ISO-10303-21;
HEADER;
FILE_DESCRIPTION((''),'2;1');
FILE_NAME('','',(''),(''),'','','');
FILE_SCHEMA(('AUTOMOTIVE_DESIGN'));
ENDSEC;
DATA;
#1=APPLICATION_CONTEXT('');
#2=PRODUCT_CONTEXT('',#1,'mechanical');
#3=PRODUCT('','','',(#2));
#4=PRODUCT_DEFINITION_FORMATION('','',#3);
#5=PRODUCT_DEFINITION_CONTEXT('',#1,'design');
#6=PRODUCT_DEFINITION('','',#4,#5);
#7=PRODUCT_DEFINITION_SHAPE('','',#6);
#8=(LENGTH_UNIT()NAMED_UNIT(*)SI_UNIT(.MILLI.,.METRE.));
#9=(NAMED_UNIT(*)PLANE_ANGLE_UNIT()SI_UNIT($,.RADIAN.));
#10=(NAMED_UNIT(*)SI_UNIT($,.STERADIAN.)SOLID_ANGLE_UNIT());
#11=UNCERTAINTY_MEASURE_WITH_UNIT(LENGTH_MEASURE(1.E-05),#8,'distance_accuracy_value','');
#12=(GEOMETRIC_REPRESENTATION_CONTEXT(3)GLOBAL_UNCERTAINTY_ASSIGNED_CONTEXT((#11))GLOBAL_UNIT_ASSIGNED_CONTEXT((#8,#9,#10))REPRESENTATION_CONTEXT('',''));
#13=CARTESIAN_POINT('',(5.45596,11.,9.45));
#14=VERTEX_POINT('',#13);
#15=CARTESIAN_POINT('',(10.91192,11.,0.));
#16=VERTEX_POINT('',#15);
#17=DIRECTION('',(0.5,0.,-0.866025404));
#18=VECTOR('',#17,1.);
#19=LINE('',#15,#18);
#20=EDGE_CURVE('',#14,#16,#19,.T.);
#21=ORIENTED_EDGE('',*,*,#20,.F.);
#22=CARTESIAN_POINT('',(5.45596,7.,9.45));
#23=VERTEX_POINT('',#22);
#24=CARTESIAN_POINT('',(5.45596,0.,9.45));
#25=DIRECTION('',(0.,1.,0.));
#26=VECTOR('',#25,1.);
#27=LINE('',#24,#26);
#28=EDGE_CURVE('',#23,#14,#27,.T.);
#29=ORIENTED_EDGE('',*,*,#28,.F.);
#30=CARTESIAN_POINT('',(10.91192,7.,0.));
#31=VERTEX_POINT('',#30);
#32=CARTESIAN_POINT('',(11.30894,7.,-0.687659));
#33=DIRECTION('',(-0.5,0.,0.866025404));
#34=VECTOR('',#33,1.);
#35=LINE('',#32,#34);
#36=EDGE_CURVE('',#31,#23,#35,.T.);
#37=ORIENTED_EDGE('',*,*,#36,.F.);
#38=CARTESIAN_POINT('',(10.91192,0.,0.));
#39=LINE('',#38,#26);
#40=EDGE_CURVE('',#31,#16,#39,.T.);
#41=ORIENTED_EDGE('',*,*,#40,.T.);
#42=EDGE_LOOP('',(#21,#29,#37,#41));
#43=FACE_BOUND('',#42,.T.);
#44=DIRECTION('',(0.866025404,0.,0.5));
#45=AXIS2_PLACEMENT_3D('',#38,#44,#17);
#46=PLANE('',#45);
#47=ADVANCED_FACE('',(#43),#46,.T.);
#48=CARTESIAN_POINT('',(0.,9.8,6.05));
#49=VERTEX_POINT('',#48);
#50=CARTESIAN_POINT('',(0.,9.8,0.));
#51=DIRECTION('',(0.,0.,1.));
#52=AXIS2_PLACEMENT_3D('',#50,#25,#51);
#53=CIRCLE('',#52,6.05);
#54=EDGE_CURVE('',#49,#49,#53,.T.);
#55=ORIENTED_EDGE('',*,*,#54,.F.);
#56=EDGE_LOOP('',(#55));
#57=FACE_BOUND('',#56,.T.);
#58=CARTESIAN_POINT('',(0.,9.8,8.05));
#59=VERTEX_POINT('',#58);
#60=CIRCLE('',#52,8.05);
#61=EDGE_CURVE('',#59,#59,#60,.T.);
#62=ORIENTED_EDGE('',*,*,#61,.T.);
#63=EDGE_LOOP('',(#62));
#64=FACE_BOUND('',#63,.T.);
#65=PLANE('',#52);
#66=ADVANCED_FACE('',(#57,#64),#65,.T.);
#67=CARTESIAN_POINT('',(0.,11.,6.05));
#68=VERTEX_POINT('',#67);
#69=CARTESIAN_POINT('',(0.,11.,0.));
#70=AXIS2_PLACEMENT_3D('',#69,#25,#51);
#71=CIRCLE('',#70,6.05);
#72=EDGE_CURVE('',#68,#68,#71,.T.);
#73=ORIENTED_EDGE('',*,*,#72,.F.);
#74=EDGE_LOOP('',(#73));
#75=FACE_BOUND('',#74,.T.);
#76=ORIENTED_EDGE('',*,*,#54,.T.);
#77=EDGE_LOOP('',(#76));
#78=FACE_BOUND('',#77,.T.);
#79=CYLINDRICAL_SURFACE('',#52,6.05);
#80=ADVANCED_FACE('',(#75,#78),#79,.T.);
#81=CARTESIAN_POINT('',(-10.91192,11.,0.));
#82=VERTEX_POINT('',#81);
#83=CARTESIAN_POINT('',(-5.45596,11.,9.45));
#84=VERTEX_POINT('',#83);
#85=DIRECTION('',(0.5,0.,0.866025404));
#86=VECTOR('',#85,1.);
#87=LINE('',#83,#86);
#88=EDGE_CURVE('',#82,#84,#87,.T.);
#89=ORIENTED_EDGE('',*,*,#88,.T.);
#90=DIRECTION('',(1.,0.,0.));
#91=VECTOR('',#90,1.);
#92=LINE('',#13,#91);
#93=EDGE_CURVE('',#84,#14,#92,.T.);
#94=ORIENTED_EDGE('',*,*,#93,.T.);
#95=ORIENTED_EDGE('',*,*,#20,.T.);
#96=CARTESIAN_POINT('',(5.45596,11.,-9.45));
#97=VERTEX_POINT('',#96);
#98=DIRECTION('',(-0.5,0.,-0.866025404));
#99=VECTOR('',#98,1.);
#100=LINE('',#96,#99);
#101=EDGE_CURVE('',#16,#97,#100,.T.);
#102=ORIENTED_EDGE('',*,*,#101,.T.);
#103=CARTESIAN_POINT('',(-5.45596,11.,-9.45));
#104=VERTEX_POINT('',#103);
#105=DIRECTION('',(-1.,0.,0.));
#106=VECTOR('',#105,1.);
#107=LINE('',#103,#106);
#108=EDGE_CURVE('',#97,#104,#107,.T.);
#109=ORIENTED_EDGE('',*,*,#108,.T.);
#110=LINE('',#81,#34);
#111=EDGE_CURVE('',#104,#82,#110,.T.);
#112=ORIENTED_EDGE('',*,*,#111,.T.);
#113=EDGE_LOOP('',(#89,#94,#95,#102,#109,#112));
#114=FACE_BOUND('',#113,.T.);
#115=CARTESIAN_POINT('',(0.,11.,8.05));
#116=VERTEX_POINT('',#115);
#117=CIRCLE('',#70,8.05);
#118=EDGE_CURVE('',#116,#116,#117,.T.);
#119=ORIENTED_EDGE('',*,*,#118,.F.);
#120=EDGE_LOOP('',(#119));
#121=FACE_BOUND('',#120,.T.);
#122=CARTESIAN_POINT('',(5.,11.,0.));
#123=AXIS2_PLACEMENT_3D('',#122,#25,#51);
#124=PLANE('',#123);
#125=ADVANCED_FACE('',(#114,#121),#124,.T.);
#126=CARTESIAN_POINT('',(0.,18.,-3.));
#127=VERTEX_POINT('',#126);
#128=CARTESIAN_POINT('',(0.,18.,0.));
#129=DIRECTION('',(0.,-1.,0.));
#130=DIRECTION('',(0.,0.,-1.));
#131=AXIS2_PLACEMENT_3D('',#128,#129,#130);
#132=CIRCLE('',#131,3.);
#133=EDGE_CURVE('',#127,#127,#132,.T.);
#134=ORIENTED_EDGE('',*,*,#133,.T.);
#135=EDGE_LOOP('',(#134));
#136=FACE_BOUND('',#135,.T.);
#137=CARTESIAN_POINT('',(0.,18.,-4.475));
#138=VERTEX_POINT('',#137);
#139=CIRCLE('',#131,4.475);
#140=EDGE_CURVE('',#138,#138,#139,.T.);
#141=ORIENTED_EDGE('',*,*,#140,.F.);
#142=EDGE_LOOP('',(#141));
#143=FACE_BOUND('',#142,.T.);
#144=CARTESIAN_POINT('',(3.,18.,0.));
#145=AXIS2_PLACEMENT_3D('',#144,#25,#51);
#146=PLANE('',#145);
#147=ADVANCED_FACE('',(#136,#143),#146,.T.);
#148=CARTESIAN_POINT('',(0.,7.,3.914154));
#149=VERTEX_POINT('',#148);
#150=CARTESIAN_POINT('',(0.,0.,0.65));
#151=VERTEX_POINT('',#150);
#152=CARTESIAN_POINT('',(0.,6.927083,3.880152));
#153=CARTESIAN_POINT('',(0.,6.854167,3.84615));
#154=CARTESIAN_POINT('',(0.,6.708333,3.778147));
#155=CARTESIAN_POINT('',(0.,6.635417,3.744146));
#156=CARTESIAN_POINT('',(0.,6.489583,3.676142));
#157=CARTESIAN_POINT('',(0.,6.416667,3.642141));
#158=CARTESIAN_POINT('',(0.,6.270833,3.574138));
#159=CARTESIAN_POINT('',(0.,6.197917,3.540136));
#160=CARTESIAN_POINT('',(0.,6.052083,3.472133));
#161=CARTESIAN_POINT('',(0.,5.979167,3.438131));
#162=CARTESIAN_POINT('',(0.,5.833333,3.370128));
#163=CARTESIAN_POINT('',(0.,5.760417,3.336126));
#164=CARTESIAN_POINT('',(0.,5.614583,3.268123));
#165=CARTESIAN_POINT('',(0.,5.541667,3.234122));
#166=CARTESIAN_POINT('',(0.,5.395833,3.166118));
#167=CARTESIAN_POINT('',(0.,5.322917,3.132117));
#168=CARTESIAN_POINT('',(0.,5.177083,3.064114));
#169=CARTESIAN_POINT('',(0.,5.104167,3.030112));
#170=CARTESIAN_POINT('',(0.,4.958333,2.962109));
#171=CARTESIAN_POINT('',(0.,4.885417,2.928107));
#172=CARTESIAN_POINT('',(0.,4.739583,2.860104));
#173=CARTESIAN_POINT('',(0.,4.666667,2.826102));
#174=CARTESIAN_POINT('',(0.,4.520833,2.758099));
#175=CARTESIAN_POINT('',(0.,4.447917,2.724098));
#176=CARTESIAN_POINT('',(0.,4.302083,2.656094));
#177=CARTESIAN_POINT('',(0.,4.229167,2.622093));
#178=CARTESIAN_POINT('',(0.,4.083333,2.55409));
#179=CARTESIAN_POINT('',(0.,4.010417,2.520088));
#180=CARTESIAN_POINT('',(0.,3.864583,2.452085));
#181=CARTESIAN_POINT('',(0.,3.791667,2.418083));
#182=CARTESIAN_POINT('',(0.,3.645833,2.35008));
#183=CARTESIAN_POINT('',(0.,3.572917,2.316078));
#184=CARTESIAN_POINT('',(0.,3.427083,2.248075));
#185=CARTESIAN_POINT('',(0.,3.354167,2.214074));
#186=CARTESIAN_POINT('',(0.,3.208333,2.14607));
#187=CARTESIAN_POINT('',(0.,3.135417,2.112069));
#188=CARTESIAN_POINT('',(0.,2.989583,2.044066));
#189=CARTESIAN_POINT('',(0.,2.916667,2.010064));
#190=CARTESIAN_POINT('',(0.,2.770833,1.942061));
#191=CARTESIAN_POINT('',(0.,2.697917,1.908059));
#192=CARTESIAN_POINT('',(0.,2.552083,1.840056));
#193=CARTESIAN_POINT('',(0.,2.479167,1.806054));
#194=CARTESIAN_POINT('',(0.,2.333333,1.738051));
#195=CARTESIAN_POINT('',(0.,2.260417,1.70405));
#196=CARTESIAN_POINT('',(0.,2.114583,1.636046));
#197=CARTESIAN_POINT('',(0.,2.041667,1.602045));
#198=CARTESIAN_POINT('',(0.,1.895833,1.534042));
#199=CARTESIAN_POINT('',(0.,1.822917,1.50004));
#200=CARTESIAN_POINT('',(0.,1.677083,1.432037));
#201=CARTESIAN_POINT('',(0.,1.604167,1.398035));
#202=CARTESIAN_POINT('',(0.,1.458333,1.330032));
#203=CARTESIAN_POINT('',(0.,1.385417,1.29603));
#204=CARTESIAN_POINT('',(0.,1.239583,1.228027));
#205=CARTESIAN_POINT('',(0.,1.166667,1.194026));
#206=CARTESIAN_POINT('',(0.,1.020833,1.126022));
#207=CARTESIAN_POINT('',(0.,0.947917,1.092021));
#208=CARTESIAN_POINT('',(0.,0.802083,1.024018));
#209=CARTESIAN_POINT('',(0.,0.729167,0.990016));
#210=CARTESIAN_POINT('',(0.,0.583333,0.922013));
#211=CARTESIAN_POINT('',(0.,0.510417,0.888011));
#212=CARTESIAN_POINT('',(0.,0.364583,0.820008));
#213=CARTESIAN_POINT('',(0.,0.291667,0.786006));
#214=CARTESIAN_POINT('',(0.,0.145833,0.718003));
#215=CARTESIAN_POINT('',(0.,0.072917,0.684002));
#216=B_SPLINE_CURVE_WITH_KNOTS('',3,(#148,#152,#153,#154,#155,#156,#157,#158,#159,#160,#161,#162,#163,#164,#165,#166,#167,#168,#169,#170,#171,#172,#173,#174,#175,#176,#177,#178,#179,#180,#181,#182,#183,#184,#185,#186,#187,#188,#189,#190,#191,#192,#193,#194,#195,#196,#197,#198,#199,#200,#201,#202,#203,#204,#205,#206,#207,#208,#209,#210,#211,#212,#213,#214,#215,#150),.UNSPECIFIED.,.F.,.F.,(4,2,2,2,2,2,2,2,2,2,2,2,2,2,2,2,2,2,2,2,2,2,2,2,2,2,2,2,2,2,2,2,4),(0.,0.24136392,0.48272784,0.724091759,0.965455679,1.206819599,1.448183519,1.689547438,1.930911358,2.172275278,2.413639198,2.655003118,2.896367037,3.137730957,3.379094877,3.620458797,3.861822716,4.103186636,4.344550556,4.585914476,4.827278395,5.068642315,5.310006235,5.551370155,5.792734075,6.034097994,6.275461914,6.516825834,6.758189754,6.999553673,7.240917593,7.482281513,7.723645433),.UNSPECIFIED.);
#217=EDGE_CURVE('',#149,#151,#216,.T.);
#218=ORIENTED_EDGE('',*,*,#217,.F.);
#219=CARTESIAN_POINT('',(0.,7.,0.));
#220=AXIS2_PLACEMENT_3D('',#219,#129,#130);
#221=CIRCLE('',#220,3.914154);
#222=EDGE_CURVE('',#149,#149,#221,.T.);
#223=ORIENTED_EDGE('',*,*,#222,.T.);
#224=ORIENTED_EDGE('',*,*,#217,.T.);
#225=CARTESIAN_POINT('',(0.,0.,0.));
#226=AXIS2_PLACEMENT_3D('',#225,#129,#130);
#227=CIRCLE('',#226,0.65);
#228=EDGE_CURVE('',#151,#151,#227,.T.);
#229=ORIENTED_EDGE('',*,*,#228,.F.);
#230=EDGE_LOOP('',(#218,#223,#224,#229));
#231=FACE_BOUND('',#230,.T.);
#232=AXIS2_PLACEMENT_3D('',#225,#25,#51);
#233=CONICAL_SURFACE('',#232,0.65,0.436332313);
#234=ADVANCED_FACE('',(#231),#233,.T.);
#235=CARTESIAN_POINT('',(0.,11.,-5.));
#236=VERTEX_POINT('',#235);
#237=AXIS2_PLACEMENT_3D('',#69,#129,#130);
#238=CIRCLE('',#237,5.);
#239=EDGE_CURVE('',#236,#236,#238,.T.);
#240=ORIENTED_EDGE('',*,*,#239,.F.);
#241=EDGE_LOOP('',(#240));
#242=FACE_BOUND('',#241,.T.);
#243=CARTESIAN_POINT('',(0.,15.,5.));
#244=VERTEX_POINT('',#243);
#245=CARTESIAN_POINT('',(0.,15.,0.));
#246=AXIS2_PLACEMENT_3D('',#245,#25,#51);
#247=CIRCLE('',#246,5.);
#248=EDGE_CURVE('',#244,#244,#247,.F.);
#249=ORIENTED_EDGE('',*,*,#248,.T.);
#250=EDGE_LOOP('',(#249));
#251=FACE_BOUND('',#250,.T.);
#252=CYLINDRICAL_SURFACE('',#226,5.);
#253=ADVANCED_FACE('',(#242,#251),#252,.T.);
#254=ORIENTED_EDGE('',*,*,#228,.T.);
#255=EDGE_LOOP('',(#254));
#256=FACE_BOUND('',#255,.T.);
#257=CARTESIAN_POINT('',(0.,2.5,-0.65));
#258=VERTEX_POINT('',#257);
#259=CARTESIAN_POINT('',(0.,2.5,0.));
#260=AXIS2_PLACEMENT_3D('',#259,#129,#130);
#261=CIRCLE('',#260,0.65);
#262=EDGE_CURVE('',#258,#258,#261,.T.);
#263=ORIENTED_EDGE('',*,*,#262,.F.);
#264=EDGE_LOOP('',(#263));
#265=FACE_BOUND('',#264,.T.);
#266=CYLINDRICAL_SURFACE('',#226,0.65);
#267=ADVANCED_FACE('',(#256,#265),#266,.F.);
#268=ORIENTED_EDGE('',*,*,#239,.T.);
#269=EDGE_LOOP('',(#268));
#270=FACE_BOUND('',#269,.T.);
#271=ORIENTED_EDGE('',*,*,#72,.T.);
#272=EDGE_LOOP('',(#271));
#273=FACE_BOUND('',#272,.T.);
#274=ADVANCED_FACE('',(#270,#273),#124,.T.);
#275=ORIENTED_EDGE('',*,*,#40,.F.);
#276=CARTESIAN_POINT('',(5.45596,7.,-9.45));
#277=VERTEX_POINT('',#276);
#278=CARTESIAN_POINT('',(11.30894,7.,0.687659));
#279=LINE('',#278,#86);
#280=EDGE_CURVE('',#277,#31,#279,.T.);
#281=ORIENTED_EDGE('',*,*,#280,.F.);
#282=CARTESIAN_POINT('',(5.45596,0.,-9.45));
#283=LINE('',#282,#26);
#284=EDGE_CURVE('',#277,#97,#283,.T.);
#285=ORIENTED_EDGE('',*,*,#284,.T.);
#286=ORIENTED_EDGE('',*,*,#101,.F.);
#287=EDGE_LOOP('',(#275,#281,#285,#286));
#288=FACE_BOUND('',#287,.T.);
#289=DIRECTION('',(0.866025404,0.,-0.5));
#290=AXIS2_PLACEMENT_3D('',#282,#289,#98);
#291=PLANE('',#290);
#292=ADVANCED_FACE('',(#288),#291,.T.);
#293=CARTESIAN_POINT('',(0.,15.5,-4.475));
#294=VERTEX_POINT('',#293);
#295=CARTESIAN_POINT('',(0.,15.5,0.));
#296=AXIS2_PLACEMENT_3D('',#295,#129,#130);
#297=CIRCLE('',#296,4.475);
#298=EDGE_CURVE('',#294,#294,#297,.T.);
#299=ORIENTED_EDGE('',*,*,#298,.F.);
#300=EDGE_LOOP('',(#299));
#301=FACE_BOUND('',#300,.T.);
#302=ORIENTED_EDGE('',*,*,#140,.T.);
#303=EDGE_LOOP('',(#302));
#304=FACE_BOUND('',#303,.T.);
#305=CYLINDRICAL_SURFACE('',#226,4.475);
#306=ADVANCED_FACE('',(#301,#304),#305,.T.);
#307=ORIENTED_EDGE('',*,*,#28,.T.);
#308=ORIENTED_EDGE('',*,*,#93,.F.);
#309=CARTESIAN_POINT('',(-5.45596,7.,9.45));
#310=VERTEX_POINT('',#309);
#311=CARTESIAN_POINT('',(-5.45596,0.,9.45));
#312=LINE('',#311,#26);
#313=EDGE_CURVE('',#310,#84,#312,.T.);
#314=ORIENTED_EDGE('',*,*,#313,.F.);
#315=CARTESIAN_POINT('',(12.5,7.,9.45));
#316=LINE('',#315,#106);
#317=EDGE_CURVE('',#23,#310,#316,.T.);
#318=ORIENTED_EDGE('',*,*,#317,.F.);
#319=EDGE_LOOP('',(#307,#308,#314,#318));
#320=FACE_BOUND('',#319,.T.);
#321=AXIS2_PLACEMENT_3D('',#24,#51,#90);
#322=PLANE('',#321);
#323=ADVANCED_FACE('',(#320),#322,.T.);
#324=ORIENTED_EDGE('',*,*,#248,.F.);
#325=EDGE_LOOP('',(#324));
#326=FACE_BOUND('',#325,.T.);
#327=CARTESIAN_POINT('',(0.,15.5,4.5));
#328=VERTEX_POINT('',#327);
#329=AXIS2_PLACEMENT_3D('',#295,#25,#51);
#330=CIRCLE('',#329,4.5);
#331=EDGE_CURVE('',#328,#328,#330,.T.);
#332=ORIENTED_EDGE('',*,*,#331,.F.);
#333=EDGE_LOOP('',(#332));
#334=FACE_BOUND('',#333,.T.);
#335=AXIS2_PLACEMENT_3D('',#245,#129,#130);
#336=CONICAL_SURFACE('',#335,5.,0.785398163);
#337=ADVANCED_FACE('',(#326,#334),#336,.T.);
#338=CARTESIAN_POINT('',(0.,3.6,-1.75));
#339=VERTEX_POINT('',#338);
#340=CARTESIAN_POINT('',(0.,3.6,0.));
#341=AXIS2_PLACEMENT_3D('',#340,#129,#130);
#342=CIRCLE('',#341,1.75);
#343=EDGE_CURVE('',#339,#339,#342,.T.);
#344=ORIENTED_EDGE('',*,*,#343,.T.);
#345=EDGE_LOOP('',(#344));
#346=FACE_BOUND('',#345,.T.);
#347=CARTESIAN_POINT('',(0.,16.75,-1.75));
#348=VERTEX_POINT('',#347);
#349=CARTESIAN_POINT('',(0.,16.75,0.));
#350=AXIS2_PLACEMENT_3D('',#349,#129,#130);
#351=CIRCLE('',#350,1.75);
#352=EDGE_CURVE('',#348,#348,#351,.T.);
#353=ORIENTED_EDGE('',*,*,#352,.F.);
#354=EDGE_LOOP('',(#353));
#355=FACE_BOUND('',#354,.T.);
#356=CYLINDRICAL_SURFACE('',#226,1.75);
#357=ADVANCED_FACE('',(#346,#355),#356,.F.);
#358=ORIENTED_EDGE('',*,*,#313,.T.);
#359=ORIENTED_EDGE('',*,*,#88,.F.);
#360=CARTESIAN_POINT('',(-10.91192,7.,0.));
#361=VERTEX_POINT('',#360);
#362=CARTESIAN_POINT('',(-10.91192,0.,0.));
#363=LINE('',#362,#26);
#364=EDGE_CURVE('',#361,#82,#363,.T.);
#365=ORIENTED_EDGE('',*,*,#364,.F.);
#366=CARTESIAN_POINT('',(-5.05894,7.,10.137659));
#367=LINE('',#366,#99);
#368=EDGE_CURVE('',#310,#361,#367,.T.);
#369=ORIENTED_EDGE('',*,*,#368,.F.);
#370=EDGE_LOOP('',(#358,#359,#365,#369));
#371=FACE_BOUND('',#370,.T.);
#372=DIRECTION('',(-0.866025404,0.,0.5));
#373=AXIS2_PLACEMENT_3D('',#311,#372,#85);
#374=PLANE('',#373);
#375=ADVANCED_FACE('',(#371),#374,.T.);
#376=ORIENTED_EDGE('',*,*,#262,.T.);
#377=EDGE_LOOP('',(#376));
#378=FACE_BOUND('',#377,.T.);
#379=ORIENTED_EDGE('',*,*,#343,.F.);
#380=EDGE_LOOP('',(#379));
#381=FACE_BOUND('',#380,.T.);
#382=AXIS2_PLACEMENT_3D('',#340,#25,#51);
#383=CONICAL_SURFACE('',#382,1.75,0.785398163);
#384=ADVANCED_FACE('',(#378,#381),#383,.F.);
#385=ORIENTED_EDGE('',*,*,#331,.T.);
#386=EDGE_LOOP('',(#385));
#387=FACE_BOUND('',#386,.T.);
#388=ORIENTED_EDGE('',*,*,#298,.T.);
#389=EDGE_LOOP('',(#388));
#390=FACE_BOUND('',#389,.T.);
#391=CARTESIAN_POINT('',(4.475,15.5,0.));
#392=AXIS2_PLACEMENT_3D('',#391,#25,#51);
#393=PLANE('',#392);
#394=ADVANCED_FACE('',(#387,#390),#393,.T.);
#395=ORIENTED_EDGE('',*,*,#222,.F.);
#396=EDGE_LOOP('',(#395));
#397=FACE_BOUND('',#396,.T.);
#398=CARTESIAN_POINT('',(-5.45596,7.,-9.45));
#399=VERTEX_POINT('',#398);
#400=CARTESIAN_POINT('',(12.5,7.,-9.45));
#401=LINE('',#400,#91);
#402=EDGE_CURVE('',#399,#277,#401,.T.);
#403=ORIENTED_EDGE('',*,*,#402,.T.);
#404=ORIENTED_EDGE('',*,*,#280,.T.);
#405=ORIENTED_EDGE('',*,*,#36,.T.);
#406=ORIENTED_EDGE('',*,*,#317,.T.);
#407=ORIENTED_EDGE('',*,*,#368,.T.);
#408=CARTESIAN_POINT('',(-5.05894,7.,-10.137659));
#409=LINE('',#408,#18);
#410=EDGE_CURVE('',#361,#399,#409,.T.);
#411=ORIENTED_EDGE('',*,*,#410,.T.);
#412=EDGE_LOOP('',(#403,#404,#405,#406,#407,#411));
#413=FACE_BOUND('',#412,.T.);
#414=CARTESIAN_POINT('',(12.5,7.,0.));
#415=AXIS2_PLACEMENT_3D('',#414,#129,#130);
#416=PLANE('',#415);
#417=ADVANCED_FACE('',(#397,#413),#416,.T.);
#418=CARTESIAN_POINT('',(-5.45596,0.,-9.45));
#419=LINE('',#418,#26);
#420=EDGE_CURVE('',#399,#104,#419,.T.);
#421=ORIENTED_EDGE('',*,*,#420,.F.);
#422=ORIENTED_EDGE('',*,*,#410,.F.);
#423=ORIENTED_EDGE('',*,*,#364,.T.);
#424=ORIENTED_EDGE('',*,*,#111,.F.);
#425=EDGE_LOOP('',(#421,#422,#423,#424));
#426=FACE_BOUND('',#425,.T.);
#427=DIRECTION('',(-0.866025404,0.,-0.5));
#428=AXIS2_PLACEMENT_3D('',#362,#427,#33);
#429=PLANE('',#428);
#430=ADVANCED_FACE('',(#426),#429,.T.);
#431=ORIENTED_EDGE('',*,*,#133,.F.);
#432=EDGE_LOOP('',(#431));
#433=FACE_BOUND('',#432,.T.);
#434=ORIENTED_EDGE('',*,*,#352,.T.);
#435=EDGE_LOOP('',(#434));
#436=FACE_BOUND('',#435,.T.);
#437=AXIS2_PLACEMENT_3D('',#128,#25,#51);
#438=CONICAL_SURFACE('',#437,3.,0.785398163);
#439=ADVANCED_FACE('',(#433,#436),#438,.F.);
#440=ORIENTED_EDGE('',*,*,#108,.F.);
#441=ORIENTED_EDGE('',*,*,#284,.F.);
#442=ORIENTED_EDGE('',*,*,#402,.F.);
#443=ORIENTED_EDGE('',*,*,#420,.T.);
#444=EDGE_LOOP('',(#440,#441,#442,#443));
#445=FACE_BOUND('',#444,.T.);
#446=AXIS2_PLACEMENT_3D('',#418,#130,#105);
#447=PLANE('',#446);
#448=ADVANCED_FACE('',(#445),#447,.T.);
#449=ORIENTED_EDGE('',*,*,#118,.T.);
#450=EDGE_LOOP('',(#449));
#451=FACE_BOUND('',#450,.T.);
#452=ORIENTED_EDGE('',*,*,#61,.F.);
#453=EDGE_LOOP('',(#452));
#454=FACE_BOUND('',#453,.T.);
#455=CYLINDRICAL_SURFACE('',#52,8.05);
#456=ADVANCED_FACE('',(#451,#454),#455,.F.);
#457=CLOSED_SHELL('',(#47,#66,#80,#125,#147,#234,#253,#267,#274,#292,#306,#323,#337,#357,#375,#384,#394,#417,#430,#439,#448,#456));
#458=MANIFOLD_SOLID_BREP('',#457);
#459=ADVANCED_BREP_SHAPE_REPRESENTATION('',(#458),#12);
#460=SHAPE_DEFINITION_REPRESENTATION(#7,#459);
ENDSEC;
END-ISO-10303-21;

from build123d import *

# Parameters (mm, degrees)
CHANFREIN1_SIZE         = 0.5
ESQUISSE2_R             = 12.5
ENL_V_MAT_EXTRU_1_DEPTH = 21.820662814
ESQUISSE3_R             = 8.05
ESQUISSE3_R_2           = 6.05
ENL_V_MAT_EXTRU_2_DEPTH = 1.2


with BuildPart() as part:
    # Esquisse1 → Révolution1 (revolve)
    with BuildSketch(Plane.XY, mode=Mode.PRIVATE) as r_volution1_sk:
        Polygon((0.65, 0), (0.65, 2.5), (1.75, 3.6), (1.75, 16.75), (3, 18), (4.475, 18), (4.475, 15.5), (5, 15.5), (5, 11), (12.5, 11), (12.5, 7), (3.914153607, 7), align=None)
    revolve(r_volution1_sk.sketch.rotate(Axis((0, 0, 0), (0, 1, 0)), 90), axis=Axis((0, 0, 0), (0, 1, 0)))

    # Chanfrein1
    chanfrein1_edges = [part.edges().sort_by_distance(p)[0] for p in [
        (0, 15.5, 5),
    ]]
    chamfer(chanfrein1_edges, length=CHANFREIN1_SIZE)

    # Esquisse2 → Enlèv. mat.-Extru.1 (cut, through all)
    with BuildSketch(Plane(origin=(0, 11, 0), x_dir=(1, 0, 0), z_dir=(0, 1, 0))):
        Circle(ESQUISSE2_R)
        Polygon((-10.911920088, 0), (-5.455960044, 9.45), (5.455960044, 9.45), (10.911920088, 0), (5.455960044, -9.45), (-5.455960044, -9.45), align=None, mode=Mode.SUBTRACT)
    extrude(amount=-ENL_V_MAT_EXTRU_1_DEPTH, mode=Mode.SUBTRACT)

    # Esquisse3 → Enlèv. mat.-Extru.2 (cut)
    with BuildSketch(Plane(origin=(0, 11, 0), x_dir=(1, 0, 0), z_dir=(0, 1, 0))):
        with Locations(Location((0, 0, 0), (0, 0, 270))):
            Circle(ESQUISSE3_R)
        with Locations(Location((0, 0, 0), (0, 0, 270))):
            Circle(ESQUISSE3_R_2, mode=Mode.SUBTRACT)
    extrude(amount=-ENL_V_MAT_EXTRU_2_DEPTH, mode=Mode.SUBTRACT)


solid = part.part
